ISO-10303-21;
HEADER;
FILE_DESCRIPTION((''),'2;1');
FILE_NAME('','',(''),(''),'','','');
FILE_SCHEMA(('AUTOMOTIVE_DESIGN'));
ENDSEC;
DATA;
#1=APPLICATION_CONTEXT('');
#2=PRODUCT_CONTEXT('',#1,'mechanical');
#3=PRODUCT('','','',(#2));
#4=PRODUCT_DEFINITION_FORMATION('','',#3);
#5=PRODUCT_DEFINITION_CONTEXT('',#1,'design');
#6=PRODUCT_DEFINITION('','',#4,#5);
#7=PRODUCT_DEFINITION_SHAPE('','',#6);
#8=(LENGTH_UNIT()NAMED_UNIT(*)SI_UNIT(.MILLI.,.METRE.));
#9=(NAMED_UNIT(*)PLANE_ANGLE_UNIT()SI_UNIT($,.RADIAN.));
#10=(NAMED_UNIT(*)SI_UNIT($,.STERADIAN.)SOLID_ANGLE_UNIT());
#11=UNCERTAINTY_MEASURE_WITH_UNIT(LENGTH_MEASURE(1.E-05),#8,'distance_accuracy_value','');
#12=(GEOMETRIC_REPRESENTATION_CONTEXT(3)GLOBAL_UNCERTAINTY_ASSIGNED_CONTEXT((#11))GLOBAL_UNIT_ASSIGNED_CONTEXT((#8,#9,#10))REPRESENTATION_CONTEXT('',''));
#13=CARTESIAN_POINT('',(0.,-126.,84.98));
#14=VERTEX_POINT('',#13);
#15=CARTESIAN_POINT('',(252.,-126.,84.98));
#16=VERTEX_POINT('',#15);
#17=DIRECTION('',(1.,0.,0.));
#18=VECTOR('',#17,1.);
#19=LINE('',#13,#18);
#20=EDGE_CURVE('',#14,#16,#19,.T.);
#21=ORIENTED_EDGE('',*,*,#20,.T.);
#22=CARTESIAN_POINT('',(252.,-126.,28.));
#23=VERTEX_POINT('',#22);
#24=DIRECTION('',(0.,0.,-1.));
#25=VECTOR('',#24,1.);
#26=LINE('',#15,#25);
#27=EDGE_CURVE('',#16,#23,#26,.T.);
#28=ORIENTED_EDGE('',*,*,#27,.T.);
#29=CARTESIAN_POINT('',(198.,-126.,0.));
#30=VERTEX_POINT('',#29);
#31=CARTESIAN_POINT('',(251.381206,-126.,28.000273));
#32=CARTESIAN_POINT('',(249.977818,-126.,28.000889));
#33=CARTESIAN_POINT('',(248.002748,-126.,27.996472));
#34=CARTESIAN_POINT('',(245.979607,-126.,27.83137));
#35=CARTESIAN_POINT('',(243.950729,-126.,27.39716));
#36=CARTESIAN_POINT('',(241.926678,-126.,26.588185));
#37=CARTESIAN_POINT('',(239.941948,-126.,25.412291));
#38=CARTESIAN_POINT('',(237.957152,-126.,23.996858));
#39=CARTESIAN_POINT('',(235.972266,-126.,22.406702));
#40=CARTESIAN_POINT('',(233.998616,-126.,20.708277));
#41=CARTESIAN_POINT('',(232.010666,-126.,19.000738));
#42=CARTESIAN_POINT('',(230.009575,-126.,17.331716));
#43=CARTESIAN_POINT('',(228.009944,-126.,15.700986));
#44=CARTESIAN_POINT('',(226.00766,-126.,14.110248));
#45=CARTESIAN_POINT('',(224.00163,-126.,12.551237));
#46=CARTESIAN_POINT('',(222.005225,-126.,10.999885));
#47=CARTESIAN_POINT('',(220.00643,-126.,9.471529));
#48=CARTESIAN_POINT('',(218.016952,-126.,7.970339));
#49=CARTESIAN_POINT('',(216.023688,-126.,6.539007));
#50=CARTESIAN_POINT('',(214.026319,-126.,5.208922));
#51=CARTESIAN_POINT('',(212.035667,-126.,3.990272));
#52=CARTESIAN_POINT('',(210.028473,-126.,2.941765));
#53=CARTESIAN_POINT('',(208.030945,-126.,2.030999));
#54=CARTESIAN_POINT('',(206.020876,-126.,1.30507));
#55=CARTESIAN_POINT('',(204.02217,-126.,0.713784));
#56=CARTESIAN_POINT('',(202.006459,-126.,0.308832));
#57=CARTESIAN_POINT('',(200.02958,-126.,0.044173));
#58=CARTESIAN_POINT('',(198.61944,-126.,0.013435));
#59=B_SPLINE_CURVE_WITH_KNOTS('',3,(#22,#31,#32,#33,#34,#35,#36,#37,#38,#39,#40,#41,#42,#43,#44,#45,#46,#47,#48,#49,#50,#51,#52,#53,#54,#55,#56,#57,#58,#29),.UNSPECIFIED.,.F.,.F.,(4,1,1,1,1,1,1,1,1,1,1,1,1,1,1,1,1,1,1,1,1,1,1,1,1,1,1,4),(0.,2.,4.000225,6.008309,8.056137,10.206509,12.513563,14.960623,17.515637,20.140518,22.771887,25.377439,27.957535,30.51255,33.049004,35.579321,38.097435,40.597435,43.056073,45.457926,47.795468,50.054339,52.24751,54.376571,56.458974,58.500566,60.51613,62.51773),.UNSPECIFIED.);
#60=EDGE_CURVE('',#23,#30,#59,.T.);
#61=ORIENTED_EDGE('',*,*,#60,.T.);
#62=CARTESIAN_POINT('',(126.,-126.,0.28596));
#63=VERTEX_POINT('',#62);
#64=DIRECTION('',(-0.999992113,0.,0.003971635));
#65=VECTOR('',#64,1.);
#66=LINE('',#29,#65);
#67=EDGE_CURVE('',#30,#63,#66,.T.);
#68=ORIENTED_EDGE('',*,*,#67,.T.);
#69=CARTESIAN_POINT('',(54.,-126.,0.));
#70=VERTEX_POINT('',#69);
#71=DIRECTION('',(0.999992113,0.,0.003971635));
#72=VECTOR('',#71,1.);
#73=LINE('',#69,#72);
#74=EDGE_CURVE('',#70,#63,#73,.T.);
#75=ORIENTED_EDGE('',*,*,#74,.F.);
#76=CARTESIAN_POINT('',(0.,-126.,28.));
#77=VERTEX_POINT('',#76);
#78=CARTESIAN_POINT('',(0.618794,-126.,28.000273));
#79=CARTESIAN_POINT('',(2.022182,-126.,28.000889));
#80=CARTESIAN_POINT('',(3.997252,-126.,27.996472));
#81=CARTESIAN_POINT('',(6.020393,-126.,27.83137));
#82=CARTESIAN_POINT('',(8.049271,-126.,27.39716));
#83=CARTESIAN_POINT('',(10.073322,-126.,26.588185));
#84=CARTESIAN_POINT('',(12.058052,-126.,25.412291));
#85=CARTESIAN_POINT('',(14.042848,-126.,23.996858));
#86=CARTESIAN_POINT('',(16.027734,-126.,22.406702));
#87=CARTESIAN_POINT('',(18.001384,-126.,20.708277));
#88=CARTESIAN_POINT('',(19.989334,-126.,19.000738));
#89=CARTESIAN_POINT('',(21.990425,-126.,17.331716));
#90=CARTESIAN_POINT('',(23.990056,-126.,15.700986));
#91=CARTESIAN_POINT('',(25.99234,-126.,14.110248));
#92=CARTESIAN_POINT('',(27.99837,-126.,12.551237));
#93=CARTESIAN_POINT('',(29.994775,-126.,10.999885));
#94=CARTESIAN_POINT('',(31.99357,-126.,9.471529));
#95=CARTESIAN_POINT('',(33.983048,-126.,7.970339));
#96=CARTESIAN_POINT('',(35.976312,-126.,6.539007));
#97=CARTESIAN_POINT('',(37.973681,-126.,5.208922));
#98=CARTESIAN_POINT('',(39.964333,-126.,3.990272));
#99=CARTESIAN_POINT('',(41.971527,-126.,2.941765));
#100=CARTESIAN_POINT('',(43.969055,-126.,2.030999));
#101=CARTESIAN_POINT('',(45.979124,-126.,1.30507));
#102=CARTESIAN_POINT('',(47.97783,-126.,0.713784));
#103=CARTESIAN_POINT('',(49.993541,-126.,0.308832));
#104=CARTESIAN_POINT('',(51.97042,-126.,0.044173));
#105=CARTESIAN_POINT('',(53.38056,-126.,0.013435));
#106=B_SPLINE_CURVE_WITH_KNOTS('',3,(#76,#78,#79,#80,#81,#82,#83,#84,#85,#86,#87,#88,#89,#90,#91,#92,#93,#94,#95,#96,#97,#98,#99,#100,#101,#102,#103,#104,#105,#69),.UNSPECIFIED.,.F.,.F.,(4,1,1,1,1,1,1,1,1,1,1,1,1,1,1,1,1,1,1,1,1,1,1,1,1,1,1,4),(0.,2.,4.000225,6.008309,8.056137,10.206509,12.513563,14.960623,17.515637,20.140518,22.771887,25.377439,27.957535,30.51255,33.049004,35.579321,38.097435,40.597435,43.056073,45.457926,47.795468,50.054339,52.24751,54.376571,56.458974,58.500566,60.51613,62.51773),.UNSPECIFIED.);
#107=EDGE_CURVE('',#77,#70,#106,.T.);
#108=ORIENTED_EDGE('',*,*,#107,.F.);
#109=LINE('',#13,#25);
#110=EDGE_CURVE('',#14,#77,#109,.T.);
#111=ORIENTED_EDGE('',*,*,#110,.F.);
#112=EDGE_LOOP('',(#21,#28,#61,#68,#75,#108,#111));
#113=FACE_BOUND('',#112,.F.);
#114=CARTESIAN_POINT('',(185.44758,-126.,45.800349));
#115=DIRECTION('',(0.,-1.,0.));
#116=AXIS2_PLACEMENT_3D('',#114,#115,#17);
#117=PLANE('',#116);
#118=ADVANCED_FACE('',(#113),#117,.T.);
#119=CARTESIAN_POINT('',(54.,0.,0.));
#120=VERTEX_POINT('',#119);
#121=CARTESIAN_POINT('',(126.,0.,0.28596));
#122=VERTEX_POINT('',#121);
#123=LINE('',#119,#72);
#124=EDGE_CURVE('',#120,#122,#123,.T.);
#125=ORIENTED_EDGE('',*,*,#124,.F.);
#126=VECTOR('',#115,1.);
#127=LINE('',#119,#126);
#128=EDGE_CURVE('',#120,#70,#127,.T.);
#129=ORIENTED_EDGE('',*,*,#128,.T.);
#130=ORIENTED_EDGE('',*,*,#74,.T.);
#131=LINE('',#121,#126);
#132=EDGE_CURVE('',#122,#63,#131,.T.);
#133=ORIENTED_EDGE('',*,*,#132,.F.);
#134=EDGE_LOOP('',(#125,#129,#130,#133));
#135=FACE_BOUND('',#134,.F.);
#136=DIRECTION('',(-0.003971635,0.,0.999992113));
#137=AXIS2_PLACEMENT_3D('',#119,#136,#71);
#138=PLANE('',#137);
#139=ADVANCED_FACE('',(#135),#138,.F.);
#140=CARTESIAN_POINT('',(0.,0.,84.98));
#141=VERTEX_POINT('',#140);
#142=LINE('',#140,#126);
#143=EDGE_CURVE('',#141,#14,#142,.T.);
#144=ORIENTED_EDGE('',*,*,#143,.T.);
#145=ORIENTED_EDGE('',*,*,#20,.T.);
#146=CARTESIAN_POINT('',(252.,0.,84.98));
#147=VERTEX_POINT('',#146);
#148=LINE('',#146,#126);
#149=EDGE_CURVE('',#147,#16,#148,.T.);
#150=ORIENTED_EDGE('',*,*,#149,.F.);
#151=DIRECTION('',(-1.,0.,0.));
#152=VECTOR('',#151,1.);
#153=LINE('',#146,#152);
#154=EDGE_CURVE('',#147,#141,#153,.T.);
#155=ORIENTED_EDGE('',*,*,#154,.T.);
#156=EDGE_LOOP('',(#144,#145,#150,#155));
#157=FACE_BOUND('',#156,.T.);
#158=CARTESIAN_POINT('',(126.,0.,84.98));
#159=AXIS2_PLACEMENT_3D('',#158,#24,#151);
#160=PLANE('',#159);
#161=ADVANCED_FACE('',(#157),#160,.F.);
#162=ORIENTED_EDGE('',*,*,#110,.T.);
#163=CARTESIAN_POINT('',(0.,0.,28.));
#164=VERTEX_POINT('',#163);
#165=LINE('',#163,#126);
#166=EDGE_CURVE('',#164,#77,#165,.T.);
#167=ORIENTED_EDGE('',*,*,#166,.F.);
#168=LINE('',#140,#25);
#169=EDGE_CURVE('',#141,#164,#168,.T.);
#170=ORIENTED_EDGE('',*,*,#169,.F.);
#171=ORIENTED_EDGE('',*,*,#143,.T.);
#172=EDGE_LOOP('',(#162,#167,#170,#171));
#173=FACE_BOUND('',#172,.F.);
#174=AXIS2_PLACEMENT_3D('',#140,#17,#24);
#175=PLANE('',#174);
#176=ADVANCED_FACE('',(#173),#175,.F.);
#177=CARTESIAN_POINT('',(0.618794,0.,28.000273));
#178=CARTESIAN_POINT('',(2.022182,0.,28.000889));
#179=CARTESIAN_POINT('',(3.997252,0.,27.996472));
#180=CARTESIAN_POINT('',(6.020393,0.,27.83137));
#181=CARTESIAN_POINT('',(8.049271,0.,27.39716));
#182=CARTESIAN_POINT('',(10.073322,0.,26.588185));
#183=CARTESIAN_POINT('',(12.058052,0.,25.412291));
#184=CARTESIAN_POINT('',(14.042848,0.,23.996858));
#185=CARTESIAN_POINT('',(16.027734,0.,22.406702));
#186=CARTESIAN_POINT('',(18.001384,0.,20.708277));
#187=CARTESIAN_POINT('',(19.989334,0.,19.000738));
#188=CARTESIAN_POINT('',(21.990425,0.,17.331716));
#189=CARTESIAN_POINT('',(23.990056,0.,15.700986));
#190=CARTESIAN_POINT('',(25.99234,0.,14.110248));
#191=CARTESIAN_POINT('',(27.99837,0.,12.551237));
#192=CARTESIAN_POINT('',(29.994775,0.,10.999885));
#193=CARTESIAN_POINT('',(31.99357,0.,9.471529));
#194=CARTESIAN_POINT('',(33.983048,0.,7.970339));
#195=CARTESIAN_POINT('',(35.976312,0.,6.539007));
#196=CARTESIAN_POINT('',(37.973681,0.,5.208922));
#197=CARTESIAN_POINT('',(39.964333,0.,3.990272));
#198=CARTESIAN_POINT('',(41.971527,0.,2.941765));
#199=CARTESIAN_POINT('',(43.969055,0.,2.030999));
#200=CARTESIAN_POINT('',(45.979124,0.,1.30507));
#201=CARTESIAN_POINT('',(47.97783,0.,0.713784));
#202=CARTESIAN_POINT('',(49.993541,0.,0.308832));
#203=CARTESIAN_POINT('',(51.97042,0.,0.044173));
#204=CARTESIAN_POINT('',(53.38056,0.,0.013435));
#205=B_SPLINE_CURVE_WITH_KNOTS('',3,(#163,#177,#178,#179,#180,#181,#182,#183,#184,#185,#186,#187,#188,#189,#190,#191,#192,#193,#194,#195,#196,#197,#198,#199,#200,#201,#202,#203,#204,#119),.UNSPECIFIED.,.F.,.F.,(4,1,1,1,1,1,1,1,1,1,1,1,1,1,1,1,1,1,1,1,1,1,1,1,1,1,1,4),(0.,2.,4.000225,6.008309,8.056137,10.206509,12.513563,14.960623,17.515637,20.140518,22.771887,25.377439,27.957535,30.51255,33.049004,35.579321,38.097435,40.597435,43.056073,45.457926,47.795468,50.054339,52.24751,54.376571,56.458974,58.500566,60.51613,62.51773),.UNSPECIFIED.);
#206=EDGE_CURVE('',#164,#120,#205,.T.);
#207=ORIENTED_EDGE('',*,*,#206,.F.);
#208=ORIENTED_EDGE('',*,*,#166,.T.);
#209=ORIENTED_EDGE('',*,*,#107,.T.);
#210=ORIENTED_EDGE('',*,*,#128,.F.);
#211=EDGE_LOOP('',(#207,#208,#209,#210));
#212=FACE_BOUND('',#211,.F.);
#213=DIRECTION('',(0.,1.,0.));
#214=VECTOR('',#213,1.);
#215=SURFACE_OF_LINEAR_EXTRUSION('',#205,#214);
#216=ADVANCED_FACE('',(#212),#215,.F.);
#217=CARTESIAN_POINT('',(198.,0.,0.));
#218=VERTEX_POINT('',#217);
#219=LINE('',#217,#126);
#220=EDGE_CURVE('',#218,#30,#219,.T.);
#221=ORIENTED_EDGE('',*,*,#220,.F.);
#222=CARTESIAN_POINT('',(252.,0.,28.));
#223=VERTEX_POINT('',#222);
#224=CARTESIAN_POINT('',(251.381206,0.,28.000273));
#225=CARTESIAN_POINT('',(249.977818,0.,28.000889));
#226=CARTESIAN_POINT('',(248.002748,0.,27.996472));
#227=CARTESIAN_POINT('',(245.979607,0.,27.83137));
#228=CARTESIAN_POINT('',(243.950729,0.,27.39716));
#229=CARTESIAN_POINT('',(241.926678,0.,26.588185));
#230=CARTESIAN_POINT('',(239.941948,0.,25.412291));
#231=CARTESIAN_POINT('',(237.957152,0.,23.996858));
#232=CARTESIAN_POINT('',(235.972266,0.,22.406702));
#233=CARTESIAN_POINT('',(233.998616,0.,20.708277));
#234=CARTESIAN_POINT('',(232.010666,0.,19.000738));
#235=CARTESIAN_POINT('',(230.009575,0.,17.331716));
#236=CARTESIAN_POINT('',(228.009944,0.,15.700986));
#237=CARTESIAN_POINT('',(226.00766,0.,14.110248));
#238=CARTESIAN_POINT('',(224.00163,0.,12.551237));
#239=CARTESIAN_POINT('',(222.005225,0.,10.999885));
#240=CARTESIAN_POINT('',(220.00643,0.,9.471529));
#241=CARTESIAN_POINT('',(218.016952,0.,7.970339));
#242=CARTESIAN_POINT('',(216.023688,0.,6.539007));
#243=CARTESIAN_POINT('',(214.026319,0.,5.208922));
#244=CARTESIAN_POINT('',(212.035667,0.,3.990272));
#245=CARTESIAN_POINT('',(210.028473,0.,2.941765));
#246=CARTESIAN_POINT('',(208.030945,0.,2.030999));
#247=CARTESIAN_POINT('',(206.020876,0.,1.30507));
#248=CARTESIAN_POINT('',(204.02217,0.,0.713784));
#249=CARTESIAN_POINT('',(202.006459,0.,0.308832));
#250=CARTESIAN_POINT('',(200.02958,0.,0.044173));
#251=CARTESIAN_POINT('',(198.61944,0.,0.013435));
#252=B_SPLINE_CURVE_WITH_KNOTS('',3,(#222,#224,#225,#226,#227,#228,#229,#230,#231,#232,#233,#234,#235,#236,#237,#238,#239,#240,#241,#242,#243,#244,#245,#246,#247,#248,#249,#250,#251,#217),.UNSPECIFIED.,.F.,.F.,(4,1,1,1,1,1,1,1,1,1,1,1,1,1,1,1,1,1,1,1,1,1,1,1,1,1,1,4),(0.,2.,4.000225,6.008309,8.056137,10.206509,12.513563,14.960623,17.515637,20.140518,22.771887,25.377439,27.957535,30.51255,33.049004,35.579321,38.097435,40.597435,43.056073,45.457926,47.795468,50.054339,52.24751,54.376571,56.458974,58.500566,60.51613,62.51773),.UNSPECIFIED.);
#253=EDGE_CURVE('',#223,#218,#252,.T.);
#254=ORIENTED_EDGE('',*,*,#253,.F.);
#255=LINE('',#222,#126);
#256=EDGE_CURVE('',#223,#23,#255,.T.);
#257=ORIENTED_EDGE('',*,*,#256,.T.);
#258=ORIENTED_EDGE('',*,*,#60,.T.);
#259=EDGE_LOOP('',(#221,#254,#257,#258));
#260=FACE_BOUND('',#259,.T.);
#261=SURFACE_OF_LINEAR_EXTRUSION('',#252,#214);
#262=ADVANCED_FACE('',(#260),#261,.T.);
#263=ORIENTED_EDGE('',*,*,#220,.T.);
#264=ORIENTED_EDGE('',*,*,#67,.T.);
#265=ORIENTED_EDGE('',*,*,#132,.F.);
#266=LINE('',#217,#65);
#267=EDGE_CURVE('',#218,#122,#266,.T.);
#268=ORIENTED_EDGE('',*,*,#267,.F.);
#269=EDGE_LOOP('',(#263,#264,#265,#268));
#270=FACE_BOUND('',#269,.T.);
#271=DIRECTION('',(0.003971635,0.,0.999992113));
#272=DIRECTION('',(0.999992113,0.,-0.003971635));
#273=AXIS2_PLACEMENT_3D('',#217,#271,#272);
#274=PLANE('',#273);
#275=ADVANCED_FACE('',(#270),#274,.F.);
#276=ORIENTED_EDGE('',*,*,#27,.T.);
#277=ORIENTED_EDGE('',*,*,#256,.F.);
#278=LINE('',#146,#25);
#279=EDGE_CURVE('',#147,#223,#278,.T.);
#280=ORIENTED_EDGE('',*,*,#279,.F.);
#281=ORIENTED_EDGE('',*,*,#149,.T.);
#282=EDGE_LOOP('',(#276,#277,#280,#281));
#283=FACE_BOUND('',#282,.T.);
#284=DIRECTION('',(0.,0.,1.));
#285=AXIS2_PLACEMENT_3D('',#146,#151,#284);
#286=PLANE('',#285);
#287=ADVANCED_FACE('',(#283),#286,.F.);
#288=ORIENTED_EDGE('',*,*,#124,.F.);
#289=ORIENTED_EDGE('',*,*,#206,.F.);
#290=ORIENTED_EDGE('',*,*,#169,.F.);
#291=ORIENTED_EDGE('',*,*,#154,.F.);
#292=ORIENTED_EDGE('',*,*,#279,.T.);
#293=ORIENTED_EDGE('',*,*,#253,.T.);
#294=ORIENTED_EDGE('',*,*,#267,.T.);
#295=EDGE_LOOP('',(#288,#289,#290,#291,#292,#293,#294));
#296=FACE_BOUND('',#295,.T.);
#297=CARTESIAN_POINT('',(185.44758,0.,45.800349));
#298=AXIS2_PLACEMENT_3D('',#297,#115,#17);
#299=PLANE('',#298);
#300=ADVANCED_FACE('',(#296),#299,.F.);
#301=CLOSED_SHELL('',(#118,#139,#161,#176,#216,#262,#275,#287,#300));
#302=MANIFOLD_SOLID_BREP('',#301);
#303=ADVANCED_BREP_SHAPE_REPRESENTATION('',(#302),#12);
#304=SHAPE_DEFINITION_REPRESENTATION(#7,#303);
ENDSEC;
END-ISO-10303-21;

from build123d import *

# Parameters (mm, degrees)
F1_DEPTH = 126


with BuildPart() as f1:
    # F0 (on Front) → F1 (new body)
    with BuildSketch(Plane.XZ):
        with BuildLine():
            Line((0, 84.98), (0, 28))
            add(Edge.make_bspline(
                [(0, 28), (0.618794, 28.000273), (2.022182, 28.000889), (3.997252, 27.996472), (6.020393, 27.83137), (8.049271, 27.39716), (10.073322, 26.588185), (12.058052, 25.412291), (14.042848, 23.996858), (16.027734, 22.406702), (18.001384, 20.708277), (19.989334, 19.000738), (21.990425, 17.331716), (23.990056, 15.700986), (25.99234, 14.110248), (27.99837, 12.551237), (29.994775, 10.999885), (31.99357, 9.471529), (33.983048, 7.970339), (35.976312, 6.539007), (37.973681, 5.208922), (39.964333, 3.990272), (41.971527, 2.941765), (43.969055, 2.030999), (45.979124, 1.30507), (47.97783, 0.713784), (49.993541, 0.308832), (51.97042, 0.044173), (53.38056, 0.013435), (54, 0)],
                knots=[0, 0, 0, 0, 2, 4.000225, 6.008309, 8.056137, 10.206509, 12.513563, 14.960623, 17.515637, 20.140518, 22.771887, 25.377439, 27.957535, 30.51255, 33.049004, 35.579321, 38.097435, 40.597435, 43.056073, 45.457926, 47.795468, 50.054339, 52.24751, 54.376571, 56.458974, 58.500566, 60.51613, 62.51773, 62.51773, 62.51773, 62.51773], degree=3))
            Line((54, 0), (126, 0.28596))
            Line((126, 0.28596), (126, 84.98))
            Line((126, 84.98), (0, 84.98))
        make_face()
    extrude(amount=F1_DEPTH)

    # F2: F1 across face


with BuildPart() as f1_1:
    add(f1.part)
    add(f1.part.mirror(Plane(origin=(126, -63, 42.63298), x_dir=(0, 1, 0), z_dir=(1, 0, 0))))


solid = f1_1.part
